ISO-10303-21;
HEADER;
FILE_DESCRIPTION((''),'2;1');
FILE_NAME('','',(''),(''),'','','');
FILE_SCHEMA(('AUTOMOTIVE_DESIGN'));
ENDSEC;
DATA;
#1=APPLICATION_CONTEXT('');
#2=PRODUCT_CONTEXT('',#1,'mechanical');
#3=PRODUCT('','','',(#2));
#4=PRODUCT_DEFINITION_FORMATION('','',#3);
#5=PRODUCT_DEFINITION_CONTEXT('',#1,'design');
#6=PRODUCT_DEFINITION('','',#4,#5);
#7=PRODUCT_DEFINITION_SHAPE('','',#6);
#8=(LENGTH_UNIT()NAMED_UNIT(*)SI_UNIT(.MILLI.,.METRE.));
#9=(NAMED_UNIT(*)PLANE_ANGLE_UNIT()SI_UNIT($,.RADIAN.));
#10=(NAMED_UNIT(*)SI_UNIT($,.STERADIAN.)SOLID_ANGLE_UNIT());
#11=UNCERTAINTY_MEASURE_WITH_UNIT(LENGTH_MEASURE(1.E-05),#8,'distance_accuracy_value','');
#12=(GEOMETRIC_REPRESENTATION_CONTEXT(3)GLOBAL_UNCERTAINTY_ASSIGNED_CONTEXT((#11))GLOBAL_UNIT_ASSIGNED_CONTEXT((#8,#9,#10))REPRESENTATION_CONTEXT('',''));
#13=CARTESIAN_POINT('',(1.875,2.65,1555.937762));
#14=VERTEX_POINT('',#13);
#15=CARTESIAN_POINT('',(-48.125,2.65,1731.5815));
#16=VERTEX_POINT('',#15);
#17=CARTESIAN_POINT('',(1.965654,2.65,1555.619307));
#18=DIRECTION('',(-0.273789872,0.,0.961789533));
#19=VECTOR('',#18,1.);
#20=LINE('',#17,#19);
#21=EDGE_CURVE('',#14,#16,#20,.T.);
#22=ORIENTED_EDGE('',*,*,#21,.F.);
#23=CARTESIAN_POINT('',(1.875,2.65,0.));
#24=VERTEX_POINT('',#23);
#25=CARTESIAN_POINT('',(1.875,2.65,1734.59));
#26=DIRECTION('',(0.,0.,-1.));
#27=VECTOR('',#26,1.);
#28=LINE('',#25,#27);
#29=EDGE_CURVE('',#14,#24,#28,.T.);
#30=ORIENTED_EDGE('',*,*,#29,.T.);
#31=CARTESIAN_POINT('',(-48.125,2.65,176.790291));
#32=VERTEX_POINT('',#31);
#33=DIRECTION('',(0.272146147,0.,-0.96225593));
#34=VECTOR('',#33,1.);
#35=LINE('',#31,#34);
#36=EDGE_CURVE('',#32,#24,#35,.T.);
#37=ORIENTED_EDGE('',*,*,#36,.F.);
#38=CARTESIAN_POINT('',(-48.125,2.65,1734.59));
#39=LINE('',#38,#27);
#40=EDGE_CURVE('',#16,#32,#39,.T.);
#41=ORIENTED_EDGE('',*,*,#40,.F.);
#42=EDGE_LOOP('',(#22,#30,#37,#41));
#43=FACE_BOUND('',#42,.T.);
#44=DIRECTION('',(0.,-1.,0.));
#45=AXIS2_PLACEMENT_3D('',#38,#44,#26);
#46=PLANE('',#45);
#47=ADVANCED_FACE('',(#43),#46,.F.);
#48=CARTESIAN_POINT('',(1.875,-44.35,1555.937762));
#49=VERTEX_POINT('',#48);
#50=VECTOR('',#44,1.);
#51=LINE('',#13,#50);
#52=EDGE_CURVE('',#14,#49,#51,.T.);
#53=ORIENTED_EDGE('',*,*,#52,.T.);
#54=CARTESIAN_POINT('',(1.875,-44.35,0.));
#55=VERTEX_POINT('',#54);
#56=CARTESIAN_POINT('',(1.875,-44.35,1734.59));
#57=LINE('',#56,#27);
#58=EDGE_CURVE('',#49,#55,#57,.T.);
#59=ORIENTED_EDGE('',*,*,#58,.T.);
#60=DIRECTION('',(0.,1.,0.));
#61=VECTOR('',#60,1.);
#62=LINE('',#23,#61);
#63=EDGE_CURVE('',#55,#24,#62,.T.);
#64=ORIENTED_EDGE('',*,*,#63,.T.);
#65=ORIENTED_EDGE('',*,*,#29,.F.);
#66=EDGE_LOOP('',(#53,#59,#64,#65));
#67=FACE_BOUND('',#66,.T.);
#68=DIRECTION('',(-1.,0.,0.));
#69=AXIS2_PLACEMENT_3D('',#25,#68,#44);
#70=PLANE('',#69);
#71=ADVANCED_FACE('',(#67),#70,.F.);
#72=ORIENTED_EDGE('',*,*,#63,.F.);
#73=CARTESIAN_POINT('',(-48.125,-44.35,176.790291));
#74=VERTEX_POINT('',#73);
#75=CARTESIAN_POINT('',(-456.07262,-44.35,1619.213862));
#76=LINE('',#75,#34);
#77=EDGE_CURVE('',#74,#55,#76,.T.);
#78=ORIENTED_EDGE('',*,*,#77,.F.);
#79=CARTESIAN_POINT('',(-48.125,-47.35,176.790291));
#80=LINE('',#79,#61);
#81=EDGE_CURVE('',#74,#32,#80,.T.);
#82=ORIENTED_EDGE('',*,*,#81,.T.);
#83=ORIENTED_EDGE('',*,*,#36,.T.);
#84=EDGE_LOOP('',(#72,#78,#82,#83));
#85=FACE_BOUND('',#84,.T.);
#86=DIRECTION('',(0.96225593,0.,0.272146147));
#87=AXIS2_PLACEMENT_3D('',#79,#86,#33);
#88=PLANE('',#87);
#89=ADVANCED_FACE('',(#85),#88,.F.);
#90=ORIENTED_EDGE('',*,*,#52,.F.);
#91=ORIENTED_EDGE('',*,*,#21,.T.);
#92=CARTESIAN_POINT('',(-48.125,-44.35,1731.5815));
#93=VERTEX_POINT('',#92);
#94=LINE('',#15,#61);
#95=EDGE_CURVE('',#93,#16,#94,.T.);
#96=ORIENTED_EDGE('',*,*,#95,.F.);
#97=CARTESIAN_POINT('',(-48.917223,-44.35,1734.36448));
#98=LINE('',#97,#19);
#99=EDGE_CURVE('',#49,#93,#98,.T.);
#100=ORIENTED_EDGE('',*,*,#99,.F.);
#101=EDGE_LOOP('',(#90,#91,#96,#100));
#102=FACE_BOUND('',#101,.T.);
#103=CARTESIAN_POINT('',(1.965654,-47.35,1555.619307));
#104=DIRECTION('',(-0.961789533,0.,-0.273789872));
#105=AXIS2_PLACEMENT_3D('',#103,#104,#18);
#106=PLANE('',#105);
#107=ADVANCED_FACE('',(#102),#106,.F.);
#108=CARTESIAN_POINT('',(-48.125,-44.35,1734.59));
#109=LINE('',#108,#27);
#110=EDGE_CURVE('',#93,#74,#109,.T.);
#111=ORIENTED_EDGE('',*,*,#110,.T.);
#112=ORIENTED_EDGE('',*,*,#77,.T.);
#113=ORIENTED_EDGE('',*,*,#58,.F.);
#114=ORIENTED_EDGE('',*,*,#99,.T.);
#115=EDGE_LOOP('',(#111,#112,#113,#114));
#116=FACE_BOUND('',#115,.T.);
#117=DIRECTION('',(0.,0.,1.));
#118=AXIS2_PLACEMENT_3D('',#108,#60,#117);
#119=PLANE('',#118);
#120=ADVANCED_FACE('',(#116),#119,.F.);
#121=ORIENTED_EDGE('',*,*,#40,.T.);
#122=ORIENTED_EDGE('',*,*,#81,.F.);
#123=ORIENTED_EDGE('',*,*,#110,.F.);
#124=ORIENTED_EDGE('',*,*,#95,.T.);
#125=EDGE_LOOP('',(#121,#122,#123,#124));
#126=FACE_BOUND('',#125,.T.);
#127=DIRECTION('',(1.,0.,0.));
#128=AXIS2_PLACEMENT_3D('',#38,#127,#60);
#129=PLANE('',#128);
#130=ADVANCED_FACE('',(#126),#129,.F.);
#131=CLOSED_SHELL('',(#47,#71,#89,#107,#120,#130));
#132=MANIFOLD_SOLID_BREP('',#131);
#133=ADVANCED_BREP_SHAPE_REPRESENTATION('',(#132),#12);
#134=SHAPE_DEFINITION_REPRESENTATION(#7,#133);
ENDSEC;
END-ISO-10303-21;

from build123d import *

# Parameters (mm, degrees)
SKETCH1_W           = 50
SKETCH1_H           = 47
BOSS_EXTRUDE1_DEPTH = 1734.59
CUT_EXTRUDE1_DEPTH  = 50


with BuildPart() as part:
    # Sketch1 → Boss-Extrude1 (new body)
    with BuildSketch(Plane.XY):
        with Locations((-23.125, -20.85)):
            Rectangle(SKETCH1_W, SKETCH1_H)
    extrude(amount=BOSS_EXTRUDE1_DEPTH)

    # Sketch2 → Cut-Extrude1 (cut)
    with BuildSketch(Plane(origin=(0, 2.65, 0), x_dir=(1, 0, 0), z_dir=(0, 1, 0))):
        Polygon((-48.125, 0), (-48.125, -176.790291198), (1.875, 0), align=None)
        Polygon((1.875, -1734.59), (1.965653572, -1555.619307002), (-48.917222904, -1734.364480175), align=None)
    extrude(amount=-CUT_EXTRUDE1_DEPTH, mode=Mode.SUBTRACT)


with BuildPart() as body_2:
    # of the pieces the cut leaves, the one that is kept (cut_extrude1_keep)
    add(part.part.solids().sort_by_distance((-48.125, 2.65, 176.790291198))[0])


solid = body_2.part
